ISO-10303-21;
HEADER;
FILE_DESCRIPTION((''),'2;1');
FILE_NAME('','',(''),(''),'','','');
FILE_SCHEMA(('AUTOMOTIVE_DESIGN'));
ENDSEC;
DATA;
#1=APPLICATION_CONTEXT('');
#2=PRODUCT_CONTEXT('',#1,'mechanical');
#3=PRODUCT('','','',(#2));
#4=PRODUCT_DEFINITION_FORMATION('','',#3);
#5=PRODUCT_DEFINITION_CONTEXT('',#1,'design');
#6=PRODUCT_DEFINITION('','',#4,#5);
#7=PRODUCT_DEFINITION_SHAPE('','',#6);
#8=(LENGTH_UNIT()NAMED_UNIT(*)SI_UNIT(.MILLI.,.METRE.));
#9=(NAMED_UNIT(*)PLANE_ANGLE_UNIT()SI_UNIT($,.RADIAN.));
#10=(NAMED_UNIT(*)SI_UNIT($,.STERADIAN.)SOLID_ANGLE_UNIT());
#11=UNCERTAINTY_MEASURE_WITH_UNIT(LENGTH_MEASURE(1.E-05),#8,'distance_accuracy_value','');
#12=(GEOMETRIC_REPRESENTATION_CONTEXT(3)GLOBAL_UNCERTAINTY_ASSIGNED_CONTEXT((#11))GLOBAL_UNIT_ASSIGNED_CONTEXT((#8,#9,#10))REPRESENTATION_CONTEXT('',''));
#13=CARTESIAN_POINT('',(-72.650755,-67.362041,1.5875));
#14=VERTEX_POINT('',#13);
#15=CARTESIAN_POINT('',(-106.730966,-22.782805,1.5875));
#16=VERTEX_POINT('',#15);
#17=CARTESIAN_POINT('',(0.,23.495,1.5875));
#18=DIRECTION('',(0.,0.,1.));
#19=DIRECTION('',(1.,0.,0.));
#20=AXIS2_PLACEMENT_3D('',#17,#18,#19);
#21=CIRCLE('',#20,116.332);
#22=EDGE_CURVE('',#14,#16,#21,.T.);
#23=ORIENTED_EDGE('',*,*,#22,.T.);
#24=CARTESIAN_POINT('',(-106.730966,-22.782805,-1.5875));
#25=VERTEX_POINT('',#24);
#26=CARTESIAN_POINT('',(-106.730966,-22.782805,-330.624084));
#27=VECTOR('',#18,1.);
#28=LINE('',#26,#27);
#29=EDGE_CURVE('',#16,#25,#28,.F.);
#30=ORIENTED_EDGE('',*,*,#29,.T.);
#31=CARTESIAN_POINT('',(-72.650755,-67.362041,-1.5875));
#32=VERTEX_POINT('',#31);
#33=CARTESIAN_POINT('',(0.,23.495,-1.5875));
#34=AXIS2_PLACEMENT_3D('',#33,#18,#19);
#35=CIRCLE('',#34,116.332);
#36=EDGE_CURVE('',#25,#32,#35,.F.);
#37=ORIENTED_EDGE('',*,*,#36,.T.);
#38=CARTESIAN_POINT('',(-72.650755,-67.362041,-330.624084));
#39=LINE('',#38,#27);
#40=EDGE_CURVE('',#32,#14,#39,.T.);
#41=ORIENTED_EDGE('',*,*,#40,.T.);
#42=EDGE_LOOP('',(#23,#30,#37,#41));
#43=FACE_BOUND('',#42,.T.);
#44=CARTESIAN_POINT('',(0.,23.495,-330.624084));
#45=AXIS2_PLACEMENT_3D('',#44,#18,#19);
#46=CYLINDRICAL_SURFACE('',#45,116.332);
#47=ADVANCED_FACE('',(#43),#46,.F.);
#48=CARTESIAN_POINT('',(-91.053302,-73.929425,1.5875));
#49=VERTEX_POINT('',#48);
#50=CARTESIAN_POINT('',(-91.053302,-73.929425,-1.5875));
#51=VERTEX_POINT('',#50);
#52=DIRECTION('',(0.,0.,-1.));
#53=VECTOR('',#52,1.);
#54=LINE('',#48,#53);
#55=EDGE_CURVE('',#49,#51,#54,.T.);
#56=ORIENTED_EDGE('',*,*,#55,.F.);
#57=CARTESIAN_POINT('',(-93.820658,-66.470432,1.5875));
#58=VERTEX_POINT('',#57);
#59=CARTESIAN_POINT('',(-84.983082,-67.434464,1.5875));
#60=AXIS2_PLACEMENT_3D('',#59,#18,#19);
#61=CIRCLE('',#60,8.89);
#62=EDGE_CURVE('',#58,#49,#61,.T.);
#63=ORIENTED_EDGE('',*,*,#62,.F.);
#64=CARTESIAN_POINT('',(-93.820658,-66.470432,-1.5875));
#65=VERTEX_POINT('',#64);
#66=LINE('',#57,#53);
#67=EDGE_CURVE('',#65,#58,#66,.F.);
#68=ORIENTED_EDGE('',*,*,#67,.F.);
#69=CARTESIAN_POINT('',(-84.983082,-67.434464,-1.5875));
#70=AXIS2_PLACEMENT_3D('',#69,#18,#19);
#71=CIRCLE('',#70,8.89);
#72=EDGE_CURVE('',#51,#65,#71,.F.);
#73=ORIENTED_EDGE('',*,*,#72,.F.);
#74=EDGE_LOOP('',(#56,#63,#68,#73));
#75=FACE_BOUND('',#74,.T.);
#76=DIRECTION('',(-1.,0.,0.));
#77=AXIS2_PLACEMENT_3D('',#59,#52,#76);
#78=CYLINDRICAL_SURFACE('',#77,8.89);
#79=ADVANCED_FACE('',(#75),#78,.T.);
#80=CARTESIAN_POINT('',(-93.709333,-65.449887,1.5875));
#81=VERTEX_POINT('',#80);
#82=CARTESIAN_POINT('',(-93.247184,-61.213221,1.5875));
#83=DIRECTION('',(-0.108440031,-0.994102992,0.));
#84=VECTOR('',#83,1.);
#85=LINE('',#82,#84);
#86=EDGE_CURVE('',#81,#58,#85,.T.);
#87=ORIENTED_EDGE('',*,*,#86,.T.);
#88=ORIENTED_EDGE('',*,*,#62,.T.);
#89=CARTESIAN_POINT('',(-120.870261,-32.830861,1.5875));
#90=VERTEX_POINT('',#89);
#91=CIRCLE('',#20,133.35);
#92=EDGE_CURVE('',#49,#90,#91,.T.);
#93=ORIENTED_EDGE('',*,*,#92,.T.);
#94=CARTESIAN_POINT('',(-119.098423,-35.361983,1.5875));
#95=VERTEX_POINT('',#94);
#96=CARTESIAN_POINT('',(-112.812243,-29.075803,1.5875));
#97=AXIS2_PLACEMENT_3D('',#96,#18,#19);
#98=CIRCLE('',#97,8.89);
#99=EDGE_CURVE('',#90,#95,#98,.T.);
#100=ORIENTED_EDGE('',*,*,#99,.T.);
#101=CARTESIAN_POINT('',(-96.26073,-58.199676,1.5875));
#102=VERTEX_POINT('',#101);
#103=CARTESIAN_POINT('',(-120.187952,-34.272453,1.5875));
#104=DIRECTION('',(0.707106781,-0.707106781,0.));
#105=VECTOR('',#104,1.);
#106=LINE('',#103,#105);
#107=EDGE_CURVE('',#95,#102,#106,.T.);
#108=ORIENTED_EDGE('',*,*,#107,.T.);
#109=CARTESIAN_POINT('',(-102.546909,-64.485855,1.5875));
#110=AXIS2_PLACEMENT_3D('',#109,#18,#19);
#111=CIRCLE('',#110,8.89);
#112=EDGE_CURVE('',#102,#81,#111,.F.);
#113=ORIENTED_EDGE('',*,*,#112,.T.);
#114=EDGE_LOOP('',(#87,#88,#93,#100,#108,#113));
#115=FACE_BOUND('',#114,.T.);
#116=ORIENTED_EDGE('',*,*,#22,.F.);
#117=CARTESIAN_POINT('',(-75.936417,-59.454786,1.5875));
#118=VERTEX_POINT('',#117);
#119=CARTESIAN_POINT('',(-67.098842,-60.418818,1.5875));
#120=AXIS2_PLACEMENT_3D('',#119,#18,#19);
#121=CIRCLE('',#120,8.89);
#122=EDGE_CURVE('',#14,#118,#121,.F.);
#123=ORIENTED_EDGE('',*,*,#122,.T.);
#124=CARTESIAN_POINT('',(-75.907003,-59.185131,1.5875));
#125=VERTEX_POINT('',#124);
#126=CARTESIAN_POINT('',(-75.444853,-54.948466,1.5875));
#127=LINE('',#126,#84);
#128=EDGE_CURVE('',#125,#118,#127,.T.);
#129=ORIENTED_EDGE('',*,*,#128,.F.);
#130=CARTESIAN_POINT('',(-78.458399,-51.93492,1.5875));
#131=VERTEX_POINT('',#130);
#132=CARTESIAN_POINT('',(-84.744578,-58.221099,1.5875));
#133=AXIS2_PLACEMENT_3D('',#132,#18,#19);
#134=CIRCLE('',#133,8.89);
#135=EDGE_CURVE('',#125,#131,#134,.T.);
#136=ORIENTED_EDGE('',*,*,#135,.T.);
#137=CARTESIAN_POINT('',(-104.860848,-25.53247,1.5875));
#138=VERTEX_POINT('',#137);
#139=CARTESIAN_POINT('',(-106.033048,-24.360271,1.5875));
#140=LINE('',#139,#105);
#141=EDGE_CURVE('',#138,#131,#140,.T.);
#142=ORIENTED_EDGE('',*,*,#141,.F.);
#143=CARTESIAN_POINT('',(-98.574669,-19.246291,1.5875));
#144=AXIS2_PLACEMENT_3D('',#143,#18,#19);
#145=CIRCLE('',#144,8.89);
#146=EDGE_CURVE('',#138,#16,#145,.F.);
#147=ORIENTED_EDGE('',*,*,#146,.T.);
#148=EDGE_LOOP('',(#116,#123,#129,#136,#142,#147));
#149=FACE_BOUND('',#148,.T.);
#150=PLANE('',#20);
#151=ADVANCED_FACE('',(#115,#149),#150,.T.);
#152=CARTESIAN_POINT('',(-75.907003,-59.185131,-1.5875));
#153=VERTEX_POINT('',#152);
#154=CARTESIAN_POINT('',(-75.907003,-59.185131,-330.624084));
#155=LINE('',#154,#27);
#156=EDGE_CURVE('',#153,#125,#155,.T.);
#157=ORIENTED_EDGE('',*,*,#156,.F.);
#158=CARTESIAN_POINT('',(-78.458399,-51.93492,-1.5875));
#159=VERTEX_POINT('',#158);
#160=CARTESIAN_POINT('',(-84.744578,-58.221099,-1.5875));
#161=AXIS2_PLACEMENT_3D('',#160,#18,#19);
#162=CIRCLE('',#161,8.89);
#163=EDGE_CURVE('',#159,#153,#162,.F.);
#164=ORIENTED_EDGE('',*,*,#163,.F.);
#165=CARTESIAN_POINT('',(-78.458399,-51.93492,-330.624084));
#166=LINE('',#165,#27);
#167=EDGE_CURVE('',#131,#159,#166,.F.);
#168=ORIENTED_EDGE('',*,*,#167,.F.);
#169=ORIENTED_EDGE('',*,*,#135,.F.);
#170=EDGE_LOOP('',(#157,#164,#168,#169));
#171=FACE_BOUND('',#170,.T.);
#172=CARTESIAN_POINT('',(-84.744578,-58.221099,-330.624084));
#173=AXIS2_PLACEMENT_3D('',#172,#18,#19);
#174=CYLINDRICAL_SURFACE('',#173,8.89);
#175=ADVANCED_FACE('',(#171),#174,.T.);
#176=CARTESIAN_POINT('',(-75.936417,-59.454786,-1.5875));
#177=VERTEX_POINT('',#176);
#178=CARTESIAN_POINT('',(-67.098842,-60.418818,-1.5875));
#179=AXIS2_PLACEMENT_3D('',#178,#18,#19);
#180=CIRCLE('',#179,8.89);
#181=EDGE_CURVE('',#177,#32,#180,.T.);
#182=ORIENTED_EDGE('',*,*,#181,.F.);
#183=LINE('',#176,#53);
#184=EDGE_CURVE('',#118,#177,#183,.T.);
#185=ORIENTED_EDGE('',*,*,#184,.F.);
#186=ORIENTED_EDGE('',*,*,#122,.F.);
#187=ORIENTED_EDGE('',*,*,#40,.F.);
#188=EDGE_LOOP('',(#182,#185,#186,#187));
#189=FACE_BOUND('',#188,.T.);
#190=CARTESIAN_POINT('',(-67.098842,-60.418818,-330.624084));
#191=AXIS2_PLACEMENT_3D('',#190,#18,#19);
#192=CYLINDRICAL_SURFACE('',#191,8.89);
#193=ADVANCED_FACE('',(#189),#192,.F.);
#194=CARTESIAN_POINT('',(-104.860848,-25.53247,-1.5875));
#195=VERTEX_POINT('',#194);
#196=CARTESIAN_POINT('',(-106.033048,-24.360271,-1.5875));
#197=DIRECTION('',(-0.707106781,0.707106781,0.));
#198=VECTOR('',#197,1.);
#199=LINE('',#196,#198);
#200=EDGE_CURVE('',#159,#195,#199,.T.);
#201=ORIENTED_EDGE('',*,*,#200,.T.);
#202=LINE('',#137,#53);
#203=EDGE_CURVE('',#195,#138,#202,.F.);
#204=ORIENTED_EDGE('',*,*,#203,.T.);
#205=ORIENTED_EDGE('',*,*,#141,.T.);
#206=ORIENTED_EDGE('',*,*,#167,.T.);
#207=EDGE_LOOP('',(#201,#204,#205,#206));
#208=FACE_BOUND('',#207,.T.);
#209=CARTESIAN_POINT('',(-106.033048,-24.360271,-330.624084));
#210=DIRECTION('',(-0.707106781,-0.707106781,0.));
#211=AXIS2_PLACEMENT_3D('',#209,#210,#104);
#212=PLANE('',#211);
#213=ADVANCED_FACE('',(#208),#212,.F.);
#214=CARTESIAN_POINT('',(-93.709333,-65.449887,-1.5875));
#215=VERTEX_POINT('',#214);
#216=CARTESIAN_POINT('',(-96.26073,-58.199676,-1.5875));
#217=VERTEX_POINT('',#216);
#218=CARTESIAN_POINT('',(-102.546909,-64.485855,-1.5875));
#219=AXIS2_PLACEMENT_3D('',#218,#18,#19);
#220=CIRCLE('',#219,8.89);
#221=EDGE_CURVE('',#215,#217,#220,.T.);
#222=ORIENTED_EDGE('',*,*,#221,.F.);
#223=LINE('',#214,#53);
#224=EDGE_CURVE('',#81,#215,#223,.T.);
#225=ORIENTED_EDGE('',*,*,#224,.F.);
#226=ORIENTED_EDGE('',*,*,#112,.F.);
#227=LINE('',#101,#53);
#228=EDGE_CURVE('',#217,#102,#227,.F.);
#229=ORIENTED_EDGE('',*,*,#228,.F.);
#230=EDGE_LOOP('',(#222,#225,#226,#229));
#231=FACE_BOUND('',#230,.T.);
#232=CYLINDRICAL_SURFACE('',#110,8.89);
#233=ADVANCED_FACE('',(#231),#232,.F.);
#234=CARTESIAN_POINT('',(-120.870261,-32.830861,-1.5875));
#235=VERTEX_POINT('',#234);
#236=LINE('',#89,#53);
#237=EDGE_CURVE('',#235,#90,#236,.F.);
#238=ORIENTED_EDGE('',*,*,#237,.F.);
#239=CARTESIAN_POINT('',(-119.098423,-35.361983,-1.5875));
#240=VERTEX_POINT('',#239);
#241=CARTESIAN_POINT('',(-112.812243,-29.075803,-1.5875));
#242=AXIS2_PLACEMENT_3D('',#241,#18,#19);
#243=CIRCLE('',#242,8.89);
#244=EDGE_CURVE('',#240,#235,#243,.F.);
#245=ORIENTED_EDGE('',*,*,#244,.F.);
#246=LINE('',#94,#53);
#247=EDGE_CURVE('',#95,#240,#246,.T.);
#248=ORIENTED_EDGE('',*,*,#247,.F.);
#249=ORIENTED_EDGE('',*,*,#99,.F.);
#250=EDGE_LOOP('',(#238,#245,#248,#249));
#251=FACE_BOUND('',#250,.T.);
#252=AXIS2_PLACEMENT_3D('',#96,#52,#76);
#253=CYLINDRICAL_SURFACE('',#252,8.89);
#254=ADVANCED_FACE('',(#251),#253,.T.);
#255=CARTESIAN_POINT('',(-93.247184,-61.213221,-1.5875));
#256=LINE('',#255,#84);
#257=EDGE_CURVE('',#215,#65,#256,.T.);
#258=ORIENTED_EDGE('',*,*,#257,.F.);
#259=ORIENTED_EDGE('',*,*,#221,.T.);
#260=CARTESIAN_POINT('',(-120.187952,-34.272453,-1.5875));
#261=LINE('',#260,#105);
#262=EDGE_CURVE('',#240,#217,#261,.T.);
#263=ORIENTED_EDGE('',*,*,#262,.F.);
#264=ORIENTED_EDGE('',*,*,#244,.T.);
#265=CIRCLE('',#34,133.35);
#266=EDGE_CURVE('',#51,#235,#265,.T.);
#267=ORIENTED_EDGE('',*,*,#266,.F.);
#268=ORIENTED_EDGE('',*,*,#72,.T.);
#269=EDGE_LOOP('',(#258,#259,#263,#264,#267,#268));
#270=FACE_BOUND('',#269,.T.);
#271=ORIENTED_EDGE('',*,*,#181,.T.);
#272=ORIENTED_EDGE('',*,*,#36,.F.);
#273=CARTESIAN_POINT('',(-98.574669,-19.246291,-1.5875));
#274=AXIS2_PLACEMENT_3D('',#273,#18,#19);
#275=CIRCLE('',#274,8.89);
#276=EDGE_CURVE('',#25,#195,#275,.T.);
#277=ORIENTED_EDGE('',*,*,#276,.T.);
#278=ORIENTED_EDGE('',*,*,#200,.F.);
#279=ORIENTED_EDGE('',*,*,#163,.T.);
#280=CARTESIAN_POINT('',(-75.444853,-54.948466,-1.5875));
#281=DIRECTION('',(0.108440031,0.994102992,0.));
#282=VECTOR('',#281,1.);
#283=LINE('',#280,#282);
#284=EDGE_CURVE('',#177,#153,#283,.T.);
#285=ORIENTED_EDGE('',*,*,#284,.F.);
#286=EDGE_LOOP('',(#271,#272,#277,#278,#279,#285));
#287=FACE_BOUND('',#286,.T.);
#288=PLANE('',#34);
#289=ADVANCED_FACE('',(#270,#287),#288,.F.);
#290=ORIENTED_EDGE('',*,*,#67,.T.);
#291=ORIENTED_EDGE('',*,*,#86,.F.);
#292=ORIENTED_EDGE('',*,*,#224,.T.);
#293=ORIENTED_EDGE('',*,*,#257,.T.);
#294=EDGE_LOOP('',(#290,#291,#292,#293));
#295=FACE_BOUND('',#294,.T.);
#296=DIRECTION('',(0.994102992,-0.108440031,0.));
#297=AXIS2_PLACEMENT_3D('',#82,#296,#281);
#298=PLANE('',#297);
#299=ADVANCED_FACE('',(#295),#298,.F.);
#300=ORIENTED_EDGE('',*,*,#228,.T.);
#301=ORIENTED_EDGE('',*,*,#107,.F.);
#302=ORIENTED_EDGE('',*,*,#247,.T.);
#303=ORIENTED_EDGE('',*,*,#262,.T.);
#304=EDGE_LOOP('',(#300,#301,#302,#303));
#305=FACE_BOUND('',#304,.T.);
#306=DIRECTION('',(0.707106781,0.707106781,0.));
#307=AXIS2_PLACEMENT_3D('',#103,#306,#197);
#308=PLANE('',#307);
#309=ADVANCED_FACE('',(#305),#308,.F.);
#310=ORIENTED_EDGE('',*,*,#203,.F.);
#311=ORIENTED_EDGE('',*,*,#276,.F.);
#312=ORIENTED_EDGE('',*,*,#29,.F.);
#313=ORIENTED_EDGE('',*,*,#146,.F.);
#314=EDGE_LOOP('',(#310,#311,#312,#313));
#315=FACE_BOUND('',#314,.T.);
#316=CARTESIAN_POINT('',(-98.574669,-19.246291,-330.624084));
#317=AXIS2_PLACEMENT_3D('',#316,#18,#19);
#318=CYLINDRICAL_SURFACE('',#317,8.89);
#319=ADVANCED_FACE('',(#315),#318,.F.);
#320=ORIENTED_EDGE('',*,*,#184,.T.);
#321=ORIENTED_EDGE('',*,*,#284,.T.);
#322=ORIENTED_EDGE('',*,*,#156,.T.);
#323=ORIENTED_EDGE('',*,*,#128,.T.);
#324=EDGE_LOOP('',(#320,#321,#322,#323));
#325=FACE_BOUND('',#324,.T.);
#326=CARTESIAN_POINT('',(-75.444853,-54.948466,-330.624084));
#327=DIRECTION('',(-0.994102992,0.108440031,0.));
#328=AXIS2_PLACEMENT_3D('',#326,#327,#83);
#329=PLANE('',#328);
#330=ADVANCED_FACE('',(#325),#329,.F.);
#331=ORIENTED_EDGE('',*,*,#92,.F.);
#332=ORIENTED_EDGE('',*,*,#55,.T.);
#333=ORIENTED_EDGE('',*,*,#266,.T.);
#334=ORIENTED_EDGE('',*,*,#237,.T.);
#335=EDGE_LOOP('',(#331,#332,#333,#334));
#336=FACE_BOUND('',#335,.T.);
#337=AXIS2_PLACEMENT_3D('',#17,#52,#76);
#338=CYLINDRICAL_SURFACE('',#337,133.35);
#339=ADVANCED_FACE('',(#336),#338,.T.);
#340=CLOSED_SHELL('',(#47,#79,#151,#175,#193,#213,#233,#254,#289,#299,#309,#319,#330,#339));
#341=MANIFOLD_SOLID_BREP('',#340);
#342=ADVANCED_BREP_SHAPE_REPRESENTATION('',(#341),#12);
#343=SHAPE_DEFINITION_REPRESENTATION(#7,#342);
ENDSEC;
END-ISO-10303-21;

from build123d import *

# Parameters (mm, degrees)
BOSS_EXTRUDE1_DEPTH = 1.5875
CUT_EXTRUDE1_DEPTH  = 3.175
FILLET1_R           = 8.89


with BuildPart() as part:
    # Sketch1 → Boss-Extrude1 (new, symmetric)
    with BuildSketch(Plane.XY):
        with BuildLine():
            Line((-120.187952283, -34.272453), (-93.24718392, -61.213221363))
            Line((-93.24718392, -61.213221363), (-94.292689271, -70.797689271))
            ThreePointArc((-94.292689271, -70.797689271), (-77.124658044, -85.289234251), (-57.767453, -96.692952283))
            ThreePointArc((-57.767453, -96.692952283), (94.292689271, 117.787689271), (-120.187952283, -34.272453))
        make_face()
    extrude(amount=BOSS_EXTRUDE1_DEPTH, both=True)

    # Sketch2 → Cut-Extrude1 (cut)
    with BuildSketch(Plane.XY.offset(1.5875)):
        with BuildLine():
            Line((-75.444853145, -54.948465733), (-76.452621523, -64.186987239))
            ThreePointArc((-76.452621523, -64.186987239), (93.390560198, 92.85880533), (-106.033048043, -24.360270835))
            Line((-106.033048043, -24.360270835), (-75.444853145, -54.948465733))
        make_face()
    extrude(amount=-CUT_EXTRUDE1_DEPTH, mode=Mode.SUBTRACT)

    # Fillet1
    fillet1_edges = [part.edges().sort_by_distance(p)[0] for p in [
        (-75.444853145, -54.948465733, 0),
        (-106.033048043, -24.360270835, 0),
        (-76.452621523, -64.186987239, 0),
        (-93.24718392, -61.213221363, -0.79375),
        (-120.187952283, -34.272453, -0.79375),
        (-94.292689271, -70.797689271, -0.79375),
    ]]
    fillet(fillet1_edges, radius=FILLET1_R)


solid = part.part
